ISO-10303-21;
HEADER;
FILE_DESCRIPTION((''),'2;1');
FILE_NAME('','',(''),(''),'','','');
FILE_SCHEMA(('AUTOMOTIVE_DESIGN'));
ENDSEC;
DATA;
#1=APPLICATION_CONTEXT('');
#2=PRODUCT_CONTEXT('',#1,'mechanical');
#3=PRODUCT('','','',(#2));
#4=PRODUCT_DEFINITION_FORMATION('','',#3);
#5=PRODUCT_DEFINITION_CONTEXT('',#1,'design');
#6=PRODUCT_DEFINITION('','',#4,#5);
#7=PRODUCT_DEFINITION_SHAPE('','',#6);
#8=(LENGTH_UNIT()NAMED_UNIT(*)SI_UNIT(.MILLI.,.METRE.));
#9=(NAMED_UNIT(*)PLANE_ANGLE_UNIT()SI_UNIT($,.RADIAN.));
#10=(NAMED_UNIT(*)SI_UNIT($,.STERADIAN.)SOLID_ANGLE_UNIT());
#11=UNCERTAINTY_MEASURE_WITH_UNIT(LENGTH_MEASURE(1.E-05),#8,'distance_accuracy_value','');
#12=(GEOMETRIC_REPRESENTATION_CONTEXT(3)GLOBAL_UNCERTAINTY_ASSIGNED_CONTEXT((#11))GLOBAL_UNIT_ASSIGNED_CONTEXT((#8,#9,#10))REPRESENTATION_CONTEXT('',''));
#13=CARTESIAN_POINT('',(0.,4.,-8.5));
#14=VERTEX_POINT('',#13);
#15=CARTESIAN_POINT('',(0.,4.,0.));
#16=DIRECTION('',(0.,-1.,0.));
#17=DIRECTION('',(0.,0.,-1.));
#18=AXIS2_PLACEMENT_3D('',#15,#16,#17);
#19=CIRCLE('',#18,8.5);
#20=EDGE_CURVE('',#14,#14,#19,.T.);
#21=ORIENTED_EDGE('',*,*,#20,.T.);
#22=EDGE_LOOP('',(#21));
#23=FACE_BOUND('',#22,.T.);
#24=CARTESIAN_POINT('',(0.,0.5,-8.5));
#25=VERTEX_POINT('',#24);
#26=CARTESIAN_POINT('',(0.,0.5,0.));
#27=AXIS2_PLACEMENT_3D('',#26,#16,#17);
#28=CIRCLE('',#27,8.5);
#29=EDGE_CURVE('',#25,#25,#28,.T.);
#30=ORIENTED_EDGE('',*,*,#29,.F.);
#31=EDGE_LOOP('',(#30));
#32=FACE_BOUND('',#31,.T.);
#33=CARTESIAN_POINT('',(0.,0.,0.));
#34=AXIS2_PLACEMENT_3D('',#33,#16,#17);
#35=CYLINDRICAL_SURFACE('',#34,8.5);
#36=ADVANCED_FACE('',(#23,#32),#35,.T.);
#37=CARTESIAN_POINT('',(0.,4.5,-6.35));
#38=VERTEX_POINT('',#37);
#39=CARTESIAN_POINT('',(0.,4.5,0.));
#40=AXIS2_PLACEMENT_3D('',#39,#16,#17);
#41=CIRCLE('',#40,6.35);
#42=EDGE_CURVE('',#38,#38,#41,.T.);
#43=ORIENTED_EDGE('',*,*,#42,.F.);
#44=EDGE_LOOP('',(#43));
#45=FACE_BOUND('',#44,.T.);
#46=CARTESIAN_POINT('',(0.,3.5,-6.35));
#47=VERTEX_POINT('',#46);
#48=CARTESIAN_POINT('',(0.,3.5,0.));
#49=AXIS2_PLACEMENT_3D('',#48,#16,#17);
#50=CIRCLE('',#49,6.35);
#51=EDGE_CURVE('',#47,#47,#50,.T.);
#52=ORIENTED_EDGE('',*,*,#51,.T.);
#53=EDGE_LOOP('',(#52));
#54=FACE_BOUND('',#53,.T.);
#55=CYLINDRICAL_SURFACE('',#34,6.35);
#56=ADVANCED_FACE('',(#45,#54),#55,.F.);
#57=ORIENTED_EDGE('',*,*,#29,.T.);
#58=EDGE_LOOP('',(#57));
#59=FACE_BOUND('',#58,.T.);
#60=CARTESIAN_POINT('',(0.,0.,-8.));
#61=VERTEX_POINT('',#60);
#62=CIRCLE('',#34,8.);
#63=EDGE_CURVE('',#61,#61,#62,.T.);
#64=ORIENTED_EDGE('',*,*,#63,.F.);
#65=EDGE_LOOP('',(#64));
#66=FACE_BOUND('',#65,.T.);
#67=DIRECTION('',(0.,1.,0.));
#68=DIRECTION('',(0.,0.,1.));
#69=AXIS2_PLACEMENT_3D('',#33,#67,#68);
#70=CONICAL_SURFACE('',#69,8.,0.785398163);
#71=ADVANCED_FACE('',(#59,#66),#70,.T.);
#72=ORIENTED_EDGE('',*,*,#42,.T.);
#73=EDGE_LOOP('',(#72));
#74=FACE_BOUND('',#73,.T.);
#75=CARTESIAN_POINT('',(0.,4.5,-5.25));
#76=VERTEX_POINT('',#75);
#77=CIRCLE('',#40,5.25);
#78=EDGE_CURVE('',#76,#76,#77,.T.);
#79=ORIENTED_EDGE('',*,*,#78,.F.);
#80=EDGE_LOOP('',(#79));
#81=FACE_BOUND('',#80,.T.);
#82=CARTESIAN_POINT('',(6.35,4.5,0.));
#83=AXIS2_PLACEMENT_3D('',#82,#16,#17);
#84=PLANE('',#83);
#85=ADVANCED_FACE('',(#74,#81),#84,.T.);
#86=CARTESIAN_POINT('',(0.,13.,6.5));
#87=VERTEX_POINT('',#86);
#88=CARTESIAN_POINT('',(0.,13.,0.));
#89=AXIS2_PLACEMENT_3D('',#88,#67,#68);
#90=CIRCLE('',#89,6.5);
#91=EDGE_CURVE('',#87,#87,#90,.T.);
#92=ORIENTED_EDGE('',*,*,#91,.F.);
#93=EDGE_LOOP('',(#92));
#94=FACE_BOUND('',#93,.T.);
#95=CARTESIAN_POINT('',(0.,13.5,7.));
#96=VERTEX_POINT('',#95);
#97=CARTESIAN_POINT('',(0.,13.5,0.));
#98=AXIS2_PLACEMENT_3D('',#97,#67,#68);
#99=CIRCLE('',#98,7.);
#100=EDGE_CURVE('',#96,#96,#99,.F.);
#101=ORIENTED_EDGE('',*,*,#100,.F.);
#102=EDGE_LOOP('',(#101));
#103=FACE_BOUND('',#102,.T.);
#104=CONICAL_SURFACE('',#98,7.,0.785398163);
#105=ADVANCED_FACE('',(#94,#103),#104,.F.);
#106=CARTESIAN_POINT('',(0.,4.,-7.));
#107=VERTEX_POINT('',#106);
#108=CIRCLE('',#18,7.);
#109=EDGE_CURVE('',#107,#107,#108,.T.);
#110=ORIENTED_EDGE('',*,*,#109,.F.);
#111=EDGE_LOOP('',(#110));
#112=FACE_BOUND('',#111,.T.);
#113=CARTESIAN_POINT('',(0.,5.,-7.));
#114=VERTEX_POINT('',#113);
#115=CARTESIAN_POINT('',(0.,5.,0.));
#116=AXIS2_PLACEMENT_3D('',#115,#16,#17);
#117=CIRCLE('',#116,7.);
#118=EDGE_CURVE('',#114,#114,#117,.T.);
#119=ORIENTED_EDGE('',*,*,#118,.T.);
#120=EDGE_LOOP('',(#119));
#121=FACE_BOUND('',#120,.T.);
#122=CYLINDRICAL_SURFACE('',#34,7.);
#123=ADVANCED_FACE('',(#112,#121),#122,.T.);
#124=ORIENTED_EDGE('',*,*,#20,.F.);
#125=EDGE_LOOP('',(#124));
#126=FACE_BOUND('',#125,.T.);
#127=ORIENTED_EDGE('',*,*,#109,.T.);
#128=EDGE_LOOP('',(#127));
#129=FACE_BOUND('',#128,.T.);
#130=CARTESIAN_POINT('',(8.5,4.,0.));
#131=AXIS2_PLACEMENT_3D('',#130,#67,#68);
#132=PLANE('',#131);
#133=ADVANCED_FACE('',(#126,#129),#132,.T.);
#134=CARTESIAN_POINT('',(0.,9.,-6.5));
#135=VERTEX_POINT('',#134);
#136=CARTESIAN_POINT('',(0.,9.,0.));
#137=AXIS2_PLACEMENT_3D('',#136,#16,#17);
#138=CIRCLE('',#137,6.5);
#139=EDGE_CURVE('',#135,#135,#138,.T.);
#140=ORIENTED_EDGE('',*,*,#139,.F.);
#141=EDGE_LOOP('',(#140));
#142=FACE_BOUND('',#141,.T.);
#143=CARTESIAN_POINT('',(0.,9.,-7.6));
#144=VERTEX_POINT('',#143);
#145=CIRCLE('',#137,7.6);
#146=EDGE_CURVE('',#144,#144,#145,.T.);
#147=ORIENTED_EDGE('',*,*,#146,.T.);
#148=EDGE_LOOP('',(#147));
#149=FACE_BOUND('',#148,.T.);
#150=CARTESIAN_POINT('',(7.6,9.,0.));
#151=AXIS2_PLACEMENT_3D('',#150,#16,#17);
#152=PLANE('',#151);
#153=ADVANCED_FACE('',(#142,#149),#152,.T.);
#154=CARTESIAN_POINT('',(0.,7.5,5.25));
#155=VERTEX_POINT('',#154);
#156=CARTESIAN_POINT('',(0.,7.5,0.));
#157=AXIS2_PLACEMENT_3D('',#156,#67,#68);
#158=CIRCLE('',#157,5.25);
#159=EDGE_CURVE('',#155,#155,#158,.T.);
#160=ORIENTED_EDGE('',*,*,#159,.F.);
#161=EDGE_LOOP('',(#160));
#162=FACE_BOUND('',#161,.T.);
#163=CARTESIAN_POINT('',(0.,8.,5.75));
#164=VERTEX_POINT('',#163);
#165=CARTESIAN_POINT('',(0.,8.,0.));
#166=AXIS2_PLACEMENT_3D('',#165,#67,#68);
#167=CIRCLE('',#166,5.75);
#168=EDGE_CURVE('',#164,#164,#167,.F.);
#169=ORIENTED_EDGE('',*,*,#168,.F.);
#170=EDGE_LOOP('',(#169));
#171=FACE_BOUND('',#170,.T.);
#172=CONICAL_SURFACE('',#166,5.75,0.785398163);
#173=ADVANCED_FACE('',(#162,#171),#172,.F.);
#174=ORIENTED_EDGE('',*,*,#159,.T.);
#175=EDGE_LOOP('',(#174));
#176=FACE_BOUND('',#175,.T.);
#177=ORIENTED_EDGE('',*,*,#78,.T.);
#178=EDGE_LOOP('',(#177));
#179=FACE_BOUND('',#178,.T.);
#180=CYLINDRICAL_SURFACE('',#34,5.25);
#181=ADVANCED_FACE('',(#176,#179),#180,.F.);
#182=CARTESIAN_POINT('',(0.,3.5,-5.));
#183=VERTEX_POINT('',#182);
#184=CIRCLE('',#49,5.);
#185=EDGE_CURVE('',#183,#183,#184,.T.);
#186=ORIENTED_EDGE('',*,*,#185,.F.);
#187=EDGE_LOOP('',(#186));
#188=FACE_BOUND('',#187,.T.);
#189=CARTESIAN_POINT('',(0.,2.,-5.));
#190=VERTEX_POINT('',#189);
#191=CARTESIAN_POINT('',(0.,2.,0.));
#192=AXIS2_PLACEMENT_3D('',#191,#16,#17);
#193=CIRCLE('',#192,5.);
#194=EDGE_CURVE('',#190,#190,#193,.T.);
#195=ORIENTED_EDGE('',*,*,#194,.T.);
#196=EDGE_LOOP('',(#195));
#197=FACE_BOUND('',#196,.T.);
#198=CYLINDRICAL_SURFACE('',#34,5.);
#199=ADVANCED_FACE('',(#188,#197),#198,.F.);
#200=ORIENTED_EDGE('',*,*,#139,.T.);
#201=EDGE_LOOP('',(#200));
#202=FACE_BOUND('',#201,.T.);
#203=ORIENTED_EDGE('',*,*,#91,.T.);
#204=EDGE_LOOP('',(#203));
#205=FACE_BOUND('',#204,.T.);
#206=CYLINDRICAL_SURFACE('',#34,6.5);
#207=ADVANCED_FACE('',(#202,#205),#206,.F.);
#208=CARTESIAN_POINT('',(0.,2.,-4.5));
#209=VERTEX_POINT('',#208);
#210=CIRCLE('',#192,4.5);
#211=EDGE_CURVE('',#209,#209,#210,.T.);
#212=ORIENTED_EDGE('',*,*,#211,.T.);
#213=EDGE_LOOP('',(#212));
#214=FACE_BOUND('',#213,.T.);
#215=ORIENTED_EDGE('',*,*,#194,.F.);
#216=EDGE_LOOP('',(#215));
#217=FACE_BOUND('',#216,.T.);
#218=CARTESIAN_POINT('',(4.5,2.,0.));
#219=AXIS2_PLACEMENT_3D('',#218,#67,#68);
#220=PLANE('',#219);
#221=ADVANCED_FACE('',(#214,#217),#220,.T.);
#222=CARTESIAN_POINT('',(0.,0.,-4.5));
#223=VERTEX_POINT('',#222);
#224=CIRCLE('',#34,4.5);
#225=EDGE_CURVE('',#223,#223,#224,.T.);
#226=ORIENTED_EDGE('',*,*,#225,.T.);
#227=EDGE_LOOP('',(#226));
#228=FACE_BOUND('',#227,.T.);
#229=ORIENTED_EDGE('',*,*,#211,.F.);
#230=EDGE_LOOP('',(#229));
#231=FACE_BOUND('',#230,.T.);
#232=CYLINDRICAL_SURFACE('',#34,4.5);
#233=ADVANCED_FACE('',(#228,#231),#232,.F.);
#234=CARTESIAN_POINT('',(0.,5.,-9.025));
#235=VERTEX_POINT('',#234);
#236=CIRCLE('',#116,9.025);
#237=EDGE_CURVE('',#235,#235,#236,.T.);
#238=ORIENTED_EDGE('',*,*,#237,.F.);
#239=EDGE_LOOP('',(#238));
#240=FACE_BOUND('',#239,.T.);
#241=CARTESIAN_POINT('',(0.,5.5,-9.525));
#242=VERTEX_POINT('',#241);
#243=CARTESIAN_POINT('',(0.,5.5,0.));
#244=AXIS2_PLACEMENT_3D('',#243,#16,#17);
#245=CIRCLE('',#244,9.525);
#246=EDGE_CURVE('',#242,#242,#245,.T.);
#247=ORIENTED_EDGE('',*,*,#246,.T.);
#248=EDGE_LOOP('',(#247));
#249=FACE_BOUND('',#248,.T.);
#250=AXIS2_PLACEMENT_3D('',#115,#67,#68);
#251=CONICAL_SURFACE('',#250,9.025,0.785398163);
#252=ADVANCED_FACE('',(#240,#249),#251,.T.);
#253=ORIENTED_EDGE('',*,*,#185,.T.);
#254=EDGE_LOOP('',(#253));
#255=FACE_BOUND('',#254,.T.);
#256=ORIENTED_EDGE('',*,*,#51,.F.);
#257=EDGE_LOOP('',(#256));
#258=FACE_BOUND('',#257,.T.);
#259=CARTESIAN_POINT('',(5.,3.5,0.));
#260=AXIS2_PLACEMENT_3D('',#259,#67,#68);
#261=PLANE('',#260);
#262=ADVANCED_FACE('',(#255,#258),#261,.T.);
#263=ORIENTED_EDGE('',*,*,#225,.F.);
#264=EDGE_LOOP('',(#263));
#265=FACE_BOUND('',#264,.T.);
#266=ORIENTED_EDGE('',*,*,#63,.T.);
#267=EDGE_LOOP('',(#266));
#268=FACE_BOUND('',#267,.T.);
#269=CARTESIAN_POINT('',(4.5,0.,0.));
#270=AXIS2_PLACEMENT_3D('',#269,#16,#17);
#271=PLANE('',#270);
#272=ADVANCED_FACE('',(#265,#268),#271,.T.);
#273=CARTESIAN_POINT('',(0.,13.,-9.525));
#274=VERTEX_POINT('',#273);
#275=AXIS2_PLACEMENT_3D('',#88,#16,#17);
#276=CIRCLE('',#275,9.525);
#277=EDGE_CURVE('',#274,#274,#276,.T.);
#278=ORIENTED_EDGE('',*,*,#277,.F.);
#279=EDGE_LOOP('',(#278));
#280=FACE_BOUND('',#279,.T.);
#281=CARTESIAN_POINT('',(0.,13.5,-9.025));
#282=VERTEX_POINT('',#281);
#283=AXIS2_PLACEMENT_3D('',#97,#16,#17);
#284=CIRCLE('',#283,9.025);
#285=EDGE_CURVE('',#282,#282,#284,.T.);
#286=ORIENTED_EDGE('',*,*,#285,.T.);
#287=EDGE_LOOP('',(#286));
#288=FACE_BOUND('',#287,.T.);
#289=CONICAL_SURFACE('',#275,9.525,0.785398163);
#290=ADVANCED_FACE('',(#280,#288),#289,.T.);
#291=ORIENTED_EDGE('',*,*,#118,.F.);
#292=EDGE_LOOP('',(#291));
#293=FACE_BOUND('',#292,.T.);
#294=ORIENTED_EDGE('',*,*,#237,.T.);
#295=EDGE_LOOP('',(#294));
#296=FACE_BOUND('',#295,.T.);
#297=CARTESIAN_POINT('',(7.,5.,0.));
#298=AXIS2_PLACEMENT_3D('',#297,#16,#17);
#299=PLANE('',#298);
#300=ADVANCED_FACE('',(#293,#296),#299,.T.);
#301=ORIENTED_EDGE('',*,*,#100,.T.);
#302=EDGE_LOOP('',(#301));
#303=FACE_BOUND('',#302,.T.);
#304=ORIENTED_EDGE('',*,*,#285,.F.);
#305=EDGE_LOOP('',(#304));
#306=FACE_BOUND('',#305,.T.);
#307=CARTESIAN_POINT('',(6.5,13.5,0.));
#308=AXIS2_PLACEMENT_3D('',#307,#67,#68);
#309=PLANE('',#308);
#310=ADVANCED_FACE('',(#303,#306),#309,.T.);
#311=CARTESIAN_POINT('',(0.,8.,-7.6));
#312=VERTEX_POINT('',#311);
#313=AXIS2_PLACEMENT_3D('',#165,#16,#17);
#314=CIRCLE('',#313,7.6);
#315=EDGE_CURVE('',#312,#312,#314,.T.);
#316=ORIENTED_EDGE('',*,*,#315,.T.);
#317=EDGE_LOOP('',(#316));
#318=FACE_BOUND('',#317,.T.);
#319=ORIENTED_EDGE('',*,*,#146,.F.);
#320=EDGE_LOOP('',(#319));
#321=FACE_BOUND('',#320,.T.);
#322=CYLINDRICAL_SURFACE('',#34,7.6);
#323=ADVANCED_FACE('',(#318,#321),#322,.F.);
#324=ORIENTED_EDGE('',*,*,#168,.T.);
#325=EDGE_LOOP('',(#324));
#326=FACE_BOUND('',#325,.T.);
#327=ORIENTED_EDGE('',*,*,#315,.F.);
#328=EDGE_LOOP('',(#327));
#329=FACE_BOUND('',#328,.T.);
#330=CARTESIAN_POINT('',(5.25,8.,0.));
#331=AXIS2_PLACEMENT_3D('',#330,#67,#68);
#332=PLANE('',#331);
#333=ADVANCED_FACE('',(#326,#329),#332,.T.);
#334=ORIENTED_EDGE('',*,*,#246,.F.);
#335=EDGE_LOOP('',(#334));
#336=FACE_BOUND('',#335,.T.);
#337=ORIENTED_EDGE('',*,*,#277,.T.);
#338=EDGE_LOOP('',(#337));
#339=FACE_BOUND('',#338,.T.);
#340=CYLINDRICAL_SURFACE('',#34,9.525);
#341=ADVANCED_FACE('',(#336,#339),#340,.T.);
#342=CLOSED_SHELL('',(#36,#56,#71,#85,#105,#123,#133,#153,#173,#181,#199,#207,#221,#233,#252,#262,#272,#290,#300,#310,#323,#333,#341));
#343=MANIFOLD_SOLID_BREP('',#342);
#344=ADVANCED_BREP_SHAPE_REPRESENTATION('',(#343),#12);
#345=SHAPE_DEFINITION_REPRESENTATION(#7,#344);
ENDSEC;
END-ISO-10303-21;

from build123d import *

# Parameters (mm, degrees)
CHAMFER_1_SIZE = 0.5


with BuildPart() as part:
    # 草图1 → 旋转1 (revolve)
    with BuildSketch(Plane.XY, mode=Mode.PRIVATE) as revolve_1_sk:
        Polygon((4.5, 0), (4.5, 2), (5, 2), (5, 3.5), (6.35, 3.5), (6.35, 4.5), (5.25, 4.5), (5.25, 8), (7.6, 8), (7.6, 9), (6.5, 9), (6.5, 13.5), (9.025, 13.5), (9.525, 13), (9.525, 5.5), (9.025, 5), (7, 5), (7, 4), (8.5, 4), (8.5, 0.5), (8, 0), align=None)
    revolve(revolve_1_sk.sketch.rotate(Axis((0, 0, 0), (0, 1, 0)), 90), axis=Axis((0, 0, 0), (0, 1, 0)))  # turned: the seam where the file's is

    # 倒角1
    chamfer_1_edges = [part.edges().sort_by_distance(p)[0] for p in [
        (0, 8, 5.25),
        (0, 13.5, 6.5),
    ]]
    chamfer(chamfer_1_edges, length=CHAMFER_1_SIZE)


solid = part.part
